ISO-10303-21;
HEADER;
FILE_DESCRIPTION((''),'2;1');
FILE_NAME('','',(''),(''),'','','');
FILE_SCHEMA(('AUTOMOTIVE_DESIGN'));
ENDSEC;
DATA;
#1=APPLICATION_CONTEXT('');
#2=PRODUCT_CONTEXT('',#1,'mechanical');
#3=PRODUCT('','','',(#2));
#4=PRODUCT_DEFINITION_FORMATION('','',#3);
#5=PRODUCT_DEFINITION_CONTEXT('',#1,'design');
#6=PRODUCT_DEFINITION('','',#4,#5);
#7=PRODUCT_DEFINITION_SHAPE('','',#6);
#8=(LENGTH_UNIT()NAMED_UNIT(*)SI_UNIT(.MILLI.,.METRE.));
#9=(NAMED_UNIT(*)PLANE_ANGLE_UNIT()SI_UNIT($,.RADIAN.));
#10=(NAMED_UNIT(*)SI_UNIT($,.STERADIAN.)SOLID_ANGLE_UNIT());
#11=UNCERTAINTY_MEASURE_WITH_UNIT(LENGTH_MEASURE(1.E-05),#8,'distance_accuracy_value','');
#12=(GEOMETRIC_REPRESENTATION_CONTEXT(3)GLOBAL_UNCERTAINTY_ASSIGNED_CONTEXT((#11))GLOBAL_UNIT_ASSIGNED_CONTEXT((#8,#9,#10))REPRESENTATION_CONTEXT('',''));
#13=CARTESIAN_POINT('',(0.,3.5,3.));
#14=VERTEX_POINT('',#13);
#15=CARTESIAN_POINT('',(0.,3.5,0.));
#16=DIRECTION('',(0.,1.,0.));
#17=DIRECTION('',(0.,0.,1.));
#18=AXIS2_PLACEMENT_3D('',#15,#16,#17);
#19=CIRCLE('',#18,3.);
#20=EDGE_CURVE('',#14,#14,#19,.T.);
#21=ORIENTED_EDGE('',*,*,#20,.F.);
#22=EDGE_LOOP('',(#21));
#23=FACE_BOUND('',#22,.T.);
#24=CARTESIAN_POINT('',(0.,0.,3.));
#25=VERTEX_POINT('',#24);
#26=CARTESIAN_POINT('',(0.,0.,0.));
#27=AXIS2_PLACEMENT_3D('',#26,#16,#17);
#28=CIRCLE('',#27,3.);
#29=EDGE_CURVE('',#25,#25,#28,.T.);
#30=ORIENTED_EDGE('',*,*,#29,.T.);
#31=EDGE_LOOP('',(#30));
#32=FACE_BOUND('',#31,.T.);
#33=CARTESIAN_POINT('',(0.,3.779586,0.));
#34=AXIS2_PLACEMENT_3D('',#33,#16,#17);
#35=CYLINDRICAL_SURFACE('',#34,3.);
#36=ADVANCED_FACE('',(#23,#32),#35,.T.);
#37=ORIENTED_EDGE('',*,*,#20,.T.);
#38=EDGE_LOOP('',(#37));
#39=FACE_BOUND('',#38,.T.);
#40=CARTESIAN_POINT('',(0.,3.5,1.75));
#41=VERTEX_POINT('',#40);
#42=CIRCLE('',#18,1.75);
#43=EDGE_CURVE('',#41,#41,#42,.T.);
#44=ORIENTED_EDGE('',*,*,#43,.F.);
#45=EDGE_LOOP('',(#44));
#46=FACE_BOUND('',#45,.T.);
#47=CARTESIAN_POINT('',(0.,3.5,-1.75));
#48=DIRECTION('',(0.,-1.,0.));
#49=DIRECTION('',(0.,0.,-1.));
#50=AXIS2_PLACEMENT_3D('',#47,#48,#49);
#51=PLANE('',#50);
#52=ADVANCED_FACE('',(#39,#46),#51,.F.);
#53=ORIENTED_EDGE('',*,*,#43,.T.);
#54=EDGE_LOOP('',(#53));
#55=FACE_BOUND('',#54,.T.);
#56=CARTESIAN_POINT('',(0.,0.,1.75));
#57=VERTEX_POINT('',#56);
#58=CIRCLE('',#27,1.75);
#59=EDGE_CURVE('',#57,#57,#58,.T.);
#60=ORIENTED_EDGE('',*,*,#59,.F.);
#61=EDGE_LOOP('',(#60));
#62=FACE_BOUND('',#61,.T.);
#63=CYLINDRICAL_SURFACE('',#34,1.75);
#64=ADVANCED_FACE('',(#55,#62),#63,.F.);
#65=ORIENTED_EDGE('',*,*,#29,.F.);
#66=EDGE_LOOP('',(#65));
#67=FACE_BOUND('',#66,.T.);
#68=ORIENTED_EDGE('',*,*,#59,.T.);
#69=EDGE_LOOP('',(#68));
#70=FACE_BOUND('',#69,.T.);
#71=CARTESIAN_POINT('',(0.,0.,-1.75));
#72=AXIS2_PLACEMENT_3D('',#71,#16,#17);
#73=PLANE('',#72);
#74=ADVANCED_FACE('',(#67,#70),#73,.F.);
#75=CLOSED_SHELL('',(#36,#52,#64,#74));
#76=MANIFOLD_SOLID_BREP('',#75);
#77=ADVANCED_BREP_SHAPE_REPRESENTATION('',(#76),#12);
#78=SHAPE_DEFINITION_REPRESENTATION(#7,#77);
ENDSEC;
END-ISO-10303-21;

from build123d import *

# Parameters (mm, degrees)
ESQUISSE1_W = 1.25
ESQUISSE1_H = 3.5


with BuildPart() as part:
    # Esquisse1 → Révolution1 (revolve)
    with BuildSketch(Plane(origin=(0, 0, 0), x_dir=(0, 0, -1), z_dir=(1, 0, 0))):
        with Locations((2.375, 1.75)):
            Rectangle(ESQUISSE1_W, ESQUISSE1_H)
    revolve(axis=Axis((0, 3.779585799, 0), (0, -1, 0)))


solid = part.part
